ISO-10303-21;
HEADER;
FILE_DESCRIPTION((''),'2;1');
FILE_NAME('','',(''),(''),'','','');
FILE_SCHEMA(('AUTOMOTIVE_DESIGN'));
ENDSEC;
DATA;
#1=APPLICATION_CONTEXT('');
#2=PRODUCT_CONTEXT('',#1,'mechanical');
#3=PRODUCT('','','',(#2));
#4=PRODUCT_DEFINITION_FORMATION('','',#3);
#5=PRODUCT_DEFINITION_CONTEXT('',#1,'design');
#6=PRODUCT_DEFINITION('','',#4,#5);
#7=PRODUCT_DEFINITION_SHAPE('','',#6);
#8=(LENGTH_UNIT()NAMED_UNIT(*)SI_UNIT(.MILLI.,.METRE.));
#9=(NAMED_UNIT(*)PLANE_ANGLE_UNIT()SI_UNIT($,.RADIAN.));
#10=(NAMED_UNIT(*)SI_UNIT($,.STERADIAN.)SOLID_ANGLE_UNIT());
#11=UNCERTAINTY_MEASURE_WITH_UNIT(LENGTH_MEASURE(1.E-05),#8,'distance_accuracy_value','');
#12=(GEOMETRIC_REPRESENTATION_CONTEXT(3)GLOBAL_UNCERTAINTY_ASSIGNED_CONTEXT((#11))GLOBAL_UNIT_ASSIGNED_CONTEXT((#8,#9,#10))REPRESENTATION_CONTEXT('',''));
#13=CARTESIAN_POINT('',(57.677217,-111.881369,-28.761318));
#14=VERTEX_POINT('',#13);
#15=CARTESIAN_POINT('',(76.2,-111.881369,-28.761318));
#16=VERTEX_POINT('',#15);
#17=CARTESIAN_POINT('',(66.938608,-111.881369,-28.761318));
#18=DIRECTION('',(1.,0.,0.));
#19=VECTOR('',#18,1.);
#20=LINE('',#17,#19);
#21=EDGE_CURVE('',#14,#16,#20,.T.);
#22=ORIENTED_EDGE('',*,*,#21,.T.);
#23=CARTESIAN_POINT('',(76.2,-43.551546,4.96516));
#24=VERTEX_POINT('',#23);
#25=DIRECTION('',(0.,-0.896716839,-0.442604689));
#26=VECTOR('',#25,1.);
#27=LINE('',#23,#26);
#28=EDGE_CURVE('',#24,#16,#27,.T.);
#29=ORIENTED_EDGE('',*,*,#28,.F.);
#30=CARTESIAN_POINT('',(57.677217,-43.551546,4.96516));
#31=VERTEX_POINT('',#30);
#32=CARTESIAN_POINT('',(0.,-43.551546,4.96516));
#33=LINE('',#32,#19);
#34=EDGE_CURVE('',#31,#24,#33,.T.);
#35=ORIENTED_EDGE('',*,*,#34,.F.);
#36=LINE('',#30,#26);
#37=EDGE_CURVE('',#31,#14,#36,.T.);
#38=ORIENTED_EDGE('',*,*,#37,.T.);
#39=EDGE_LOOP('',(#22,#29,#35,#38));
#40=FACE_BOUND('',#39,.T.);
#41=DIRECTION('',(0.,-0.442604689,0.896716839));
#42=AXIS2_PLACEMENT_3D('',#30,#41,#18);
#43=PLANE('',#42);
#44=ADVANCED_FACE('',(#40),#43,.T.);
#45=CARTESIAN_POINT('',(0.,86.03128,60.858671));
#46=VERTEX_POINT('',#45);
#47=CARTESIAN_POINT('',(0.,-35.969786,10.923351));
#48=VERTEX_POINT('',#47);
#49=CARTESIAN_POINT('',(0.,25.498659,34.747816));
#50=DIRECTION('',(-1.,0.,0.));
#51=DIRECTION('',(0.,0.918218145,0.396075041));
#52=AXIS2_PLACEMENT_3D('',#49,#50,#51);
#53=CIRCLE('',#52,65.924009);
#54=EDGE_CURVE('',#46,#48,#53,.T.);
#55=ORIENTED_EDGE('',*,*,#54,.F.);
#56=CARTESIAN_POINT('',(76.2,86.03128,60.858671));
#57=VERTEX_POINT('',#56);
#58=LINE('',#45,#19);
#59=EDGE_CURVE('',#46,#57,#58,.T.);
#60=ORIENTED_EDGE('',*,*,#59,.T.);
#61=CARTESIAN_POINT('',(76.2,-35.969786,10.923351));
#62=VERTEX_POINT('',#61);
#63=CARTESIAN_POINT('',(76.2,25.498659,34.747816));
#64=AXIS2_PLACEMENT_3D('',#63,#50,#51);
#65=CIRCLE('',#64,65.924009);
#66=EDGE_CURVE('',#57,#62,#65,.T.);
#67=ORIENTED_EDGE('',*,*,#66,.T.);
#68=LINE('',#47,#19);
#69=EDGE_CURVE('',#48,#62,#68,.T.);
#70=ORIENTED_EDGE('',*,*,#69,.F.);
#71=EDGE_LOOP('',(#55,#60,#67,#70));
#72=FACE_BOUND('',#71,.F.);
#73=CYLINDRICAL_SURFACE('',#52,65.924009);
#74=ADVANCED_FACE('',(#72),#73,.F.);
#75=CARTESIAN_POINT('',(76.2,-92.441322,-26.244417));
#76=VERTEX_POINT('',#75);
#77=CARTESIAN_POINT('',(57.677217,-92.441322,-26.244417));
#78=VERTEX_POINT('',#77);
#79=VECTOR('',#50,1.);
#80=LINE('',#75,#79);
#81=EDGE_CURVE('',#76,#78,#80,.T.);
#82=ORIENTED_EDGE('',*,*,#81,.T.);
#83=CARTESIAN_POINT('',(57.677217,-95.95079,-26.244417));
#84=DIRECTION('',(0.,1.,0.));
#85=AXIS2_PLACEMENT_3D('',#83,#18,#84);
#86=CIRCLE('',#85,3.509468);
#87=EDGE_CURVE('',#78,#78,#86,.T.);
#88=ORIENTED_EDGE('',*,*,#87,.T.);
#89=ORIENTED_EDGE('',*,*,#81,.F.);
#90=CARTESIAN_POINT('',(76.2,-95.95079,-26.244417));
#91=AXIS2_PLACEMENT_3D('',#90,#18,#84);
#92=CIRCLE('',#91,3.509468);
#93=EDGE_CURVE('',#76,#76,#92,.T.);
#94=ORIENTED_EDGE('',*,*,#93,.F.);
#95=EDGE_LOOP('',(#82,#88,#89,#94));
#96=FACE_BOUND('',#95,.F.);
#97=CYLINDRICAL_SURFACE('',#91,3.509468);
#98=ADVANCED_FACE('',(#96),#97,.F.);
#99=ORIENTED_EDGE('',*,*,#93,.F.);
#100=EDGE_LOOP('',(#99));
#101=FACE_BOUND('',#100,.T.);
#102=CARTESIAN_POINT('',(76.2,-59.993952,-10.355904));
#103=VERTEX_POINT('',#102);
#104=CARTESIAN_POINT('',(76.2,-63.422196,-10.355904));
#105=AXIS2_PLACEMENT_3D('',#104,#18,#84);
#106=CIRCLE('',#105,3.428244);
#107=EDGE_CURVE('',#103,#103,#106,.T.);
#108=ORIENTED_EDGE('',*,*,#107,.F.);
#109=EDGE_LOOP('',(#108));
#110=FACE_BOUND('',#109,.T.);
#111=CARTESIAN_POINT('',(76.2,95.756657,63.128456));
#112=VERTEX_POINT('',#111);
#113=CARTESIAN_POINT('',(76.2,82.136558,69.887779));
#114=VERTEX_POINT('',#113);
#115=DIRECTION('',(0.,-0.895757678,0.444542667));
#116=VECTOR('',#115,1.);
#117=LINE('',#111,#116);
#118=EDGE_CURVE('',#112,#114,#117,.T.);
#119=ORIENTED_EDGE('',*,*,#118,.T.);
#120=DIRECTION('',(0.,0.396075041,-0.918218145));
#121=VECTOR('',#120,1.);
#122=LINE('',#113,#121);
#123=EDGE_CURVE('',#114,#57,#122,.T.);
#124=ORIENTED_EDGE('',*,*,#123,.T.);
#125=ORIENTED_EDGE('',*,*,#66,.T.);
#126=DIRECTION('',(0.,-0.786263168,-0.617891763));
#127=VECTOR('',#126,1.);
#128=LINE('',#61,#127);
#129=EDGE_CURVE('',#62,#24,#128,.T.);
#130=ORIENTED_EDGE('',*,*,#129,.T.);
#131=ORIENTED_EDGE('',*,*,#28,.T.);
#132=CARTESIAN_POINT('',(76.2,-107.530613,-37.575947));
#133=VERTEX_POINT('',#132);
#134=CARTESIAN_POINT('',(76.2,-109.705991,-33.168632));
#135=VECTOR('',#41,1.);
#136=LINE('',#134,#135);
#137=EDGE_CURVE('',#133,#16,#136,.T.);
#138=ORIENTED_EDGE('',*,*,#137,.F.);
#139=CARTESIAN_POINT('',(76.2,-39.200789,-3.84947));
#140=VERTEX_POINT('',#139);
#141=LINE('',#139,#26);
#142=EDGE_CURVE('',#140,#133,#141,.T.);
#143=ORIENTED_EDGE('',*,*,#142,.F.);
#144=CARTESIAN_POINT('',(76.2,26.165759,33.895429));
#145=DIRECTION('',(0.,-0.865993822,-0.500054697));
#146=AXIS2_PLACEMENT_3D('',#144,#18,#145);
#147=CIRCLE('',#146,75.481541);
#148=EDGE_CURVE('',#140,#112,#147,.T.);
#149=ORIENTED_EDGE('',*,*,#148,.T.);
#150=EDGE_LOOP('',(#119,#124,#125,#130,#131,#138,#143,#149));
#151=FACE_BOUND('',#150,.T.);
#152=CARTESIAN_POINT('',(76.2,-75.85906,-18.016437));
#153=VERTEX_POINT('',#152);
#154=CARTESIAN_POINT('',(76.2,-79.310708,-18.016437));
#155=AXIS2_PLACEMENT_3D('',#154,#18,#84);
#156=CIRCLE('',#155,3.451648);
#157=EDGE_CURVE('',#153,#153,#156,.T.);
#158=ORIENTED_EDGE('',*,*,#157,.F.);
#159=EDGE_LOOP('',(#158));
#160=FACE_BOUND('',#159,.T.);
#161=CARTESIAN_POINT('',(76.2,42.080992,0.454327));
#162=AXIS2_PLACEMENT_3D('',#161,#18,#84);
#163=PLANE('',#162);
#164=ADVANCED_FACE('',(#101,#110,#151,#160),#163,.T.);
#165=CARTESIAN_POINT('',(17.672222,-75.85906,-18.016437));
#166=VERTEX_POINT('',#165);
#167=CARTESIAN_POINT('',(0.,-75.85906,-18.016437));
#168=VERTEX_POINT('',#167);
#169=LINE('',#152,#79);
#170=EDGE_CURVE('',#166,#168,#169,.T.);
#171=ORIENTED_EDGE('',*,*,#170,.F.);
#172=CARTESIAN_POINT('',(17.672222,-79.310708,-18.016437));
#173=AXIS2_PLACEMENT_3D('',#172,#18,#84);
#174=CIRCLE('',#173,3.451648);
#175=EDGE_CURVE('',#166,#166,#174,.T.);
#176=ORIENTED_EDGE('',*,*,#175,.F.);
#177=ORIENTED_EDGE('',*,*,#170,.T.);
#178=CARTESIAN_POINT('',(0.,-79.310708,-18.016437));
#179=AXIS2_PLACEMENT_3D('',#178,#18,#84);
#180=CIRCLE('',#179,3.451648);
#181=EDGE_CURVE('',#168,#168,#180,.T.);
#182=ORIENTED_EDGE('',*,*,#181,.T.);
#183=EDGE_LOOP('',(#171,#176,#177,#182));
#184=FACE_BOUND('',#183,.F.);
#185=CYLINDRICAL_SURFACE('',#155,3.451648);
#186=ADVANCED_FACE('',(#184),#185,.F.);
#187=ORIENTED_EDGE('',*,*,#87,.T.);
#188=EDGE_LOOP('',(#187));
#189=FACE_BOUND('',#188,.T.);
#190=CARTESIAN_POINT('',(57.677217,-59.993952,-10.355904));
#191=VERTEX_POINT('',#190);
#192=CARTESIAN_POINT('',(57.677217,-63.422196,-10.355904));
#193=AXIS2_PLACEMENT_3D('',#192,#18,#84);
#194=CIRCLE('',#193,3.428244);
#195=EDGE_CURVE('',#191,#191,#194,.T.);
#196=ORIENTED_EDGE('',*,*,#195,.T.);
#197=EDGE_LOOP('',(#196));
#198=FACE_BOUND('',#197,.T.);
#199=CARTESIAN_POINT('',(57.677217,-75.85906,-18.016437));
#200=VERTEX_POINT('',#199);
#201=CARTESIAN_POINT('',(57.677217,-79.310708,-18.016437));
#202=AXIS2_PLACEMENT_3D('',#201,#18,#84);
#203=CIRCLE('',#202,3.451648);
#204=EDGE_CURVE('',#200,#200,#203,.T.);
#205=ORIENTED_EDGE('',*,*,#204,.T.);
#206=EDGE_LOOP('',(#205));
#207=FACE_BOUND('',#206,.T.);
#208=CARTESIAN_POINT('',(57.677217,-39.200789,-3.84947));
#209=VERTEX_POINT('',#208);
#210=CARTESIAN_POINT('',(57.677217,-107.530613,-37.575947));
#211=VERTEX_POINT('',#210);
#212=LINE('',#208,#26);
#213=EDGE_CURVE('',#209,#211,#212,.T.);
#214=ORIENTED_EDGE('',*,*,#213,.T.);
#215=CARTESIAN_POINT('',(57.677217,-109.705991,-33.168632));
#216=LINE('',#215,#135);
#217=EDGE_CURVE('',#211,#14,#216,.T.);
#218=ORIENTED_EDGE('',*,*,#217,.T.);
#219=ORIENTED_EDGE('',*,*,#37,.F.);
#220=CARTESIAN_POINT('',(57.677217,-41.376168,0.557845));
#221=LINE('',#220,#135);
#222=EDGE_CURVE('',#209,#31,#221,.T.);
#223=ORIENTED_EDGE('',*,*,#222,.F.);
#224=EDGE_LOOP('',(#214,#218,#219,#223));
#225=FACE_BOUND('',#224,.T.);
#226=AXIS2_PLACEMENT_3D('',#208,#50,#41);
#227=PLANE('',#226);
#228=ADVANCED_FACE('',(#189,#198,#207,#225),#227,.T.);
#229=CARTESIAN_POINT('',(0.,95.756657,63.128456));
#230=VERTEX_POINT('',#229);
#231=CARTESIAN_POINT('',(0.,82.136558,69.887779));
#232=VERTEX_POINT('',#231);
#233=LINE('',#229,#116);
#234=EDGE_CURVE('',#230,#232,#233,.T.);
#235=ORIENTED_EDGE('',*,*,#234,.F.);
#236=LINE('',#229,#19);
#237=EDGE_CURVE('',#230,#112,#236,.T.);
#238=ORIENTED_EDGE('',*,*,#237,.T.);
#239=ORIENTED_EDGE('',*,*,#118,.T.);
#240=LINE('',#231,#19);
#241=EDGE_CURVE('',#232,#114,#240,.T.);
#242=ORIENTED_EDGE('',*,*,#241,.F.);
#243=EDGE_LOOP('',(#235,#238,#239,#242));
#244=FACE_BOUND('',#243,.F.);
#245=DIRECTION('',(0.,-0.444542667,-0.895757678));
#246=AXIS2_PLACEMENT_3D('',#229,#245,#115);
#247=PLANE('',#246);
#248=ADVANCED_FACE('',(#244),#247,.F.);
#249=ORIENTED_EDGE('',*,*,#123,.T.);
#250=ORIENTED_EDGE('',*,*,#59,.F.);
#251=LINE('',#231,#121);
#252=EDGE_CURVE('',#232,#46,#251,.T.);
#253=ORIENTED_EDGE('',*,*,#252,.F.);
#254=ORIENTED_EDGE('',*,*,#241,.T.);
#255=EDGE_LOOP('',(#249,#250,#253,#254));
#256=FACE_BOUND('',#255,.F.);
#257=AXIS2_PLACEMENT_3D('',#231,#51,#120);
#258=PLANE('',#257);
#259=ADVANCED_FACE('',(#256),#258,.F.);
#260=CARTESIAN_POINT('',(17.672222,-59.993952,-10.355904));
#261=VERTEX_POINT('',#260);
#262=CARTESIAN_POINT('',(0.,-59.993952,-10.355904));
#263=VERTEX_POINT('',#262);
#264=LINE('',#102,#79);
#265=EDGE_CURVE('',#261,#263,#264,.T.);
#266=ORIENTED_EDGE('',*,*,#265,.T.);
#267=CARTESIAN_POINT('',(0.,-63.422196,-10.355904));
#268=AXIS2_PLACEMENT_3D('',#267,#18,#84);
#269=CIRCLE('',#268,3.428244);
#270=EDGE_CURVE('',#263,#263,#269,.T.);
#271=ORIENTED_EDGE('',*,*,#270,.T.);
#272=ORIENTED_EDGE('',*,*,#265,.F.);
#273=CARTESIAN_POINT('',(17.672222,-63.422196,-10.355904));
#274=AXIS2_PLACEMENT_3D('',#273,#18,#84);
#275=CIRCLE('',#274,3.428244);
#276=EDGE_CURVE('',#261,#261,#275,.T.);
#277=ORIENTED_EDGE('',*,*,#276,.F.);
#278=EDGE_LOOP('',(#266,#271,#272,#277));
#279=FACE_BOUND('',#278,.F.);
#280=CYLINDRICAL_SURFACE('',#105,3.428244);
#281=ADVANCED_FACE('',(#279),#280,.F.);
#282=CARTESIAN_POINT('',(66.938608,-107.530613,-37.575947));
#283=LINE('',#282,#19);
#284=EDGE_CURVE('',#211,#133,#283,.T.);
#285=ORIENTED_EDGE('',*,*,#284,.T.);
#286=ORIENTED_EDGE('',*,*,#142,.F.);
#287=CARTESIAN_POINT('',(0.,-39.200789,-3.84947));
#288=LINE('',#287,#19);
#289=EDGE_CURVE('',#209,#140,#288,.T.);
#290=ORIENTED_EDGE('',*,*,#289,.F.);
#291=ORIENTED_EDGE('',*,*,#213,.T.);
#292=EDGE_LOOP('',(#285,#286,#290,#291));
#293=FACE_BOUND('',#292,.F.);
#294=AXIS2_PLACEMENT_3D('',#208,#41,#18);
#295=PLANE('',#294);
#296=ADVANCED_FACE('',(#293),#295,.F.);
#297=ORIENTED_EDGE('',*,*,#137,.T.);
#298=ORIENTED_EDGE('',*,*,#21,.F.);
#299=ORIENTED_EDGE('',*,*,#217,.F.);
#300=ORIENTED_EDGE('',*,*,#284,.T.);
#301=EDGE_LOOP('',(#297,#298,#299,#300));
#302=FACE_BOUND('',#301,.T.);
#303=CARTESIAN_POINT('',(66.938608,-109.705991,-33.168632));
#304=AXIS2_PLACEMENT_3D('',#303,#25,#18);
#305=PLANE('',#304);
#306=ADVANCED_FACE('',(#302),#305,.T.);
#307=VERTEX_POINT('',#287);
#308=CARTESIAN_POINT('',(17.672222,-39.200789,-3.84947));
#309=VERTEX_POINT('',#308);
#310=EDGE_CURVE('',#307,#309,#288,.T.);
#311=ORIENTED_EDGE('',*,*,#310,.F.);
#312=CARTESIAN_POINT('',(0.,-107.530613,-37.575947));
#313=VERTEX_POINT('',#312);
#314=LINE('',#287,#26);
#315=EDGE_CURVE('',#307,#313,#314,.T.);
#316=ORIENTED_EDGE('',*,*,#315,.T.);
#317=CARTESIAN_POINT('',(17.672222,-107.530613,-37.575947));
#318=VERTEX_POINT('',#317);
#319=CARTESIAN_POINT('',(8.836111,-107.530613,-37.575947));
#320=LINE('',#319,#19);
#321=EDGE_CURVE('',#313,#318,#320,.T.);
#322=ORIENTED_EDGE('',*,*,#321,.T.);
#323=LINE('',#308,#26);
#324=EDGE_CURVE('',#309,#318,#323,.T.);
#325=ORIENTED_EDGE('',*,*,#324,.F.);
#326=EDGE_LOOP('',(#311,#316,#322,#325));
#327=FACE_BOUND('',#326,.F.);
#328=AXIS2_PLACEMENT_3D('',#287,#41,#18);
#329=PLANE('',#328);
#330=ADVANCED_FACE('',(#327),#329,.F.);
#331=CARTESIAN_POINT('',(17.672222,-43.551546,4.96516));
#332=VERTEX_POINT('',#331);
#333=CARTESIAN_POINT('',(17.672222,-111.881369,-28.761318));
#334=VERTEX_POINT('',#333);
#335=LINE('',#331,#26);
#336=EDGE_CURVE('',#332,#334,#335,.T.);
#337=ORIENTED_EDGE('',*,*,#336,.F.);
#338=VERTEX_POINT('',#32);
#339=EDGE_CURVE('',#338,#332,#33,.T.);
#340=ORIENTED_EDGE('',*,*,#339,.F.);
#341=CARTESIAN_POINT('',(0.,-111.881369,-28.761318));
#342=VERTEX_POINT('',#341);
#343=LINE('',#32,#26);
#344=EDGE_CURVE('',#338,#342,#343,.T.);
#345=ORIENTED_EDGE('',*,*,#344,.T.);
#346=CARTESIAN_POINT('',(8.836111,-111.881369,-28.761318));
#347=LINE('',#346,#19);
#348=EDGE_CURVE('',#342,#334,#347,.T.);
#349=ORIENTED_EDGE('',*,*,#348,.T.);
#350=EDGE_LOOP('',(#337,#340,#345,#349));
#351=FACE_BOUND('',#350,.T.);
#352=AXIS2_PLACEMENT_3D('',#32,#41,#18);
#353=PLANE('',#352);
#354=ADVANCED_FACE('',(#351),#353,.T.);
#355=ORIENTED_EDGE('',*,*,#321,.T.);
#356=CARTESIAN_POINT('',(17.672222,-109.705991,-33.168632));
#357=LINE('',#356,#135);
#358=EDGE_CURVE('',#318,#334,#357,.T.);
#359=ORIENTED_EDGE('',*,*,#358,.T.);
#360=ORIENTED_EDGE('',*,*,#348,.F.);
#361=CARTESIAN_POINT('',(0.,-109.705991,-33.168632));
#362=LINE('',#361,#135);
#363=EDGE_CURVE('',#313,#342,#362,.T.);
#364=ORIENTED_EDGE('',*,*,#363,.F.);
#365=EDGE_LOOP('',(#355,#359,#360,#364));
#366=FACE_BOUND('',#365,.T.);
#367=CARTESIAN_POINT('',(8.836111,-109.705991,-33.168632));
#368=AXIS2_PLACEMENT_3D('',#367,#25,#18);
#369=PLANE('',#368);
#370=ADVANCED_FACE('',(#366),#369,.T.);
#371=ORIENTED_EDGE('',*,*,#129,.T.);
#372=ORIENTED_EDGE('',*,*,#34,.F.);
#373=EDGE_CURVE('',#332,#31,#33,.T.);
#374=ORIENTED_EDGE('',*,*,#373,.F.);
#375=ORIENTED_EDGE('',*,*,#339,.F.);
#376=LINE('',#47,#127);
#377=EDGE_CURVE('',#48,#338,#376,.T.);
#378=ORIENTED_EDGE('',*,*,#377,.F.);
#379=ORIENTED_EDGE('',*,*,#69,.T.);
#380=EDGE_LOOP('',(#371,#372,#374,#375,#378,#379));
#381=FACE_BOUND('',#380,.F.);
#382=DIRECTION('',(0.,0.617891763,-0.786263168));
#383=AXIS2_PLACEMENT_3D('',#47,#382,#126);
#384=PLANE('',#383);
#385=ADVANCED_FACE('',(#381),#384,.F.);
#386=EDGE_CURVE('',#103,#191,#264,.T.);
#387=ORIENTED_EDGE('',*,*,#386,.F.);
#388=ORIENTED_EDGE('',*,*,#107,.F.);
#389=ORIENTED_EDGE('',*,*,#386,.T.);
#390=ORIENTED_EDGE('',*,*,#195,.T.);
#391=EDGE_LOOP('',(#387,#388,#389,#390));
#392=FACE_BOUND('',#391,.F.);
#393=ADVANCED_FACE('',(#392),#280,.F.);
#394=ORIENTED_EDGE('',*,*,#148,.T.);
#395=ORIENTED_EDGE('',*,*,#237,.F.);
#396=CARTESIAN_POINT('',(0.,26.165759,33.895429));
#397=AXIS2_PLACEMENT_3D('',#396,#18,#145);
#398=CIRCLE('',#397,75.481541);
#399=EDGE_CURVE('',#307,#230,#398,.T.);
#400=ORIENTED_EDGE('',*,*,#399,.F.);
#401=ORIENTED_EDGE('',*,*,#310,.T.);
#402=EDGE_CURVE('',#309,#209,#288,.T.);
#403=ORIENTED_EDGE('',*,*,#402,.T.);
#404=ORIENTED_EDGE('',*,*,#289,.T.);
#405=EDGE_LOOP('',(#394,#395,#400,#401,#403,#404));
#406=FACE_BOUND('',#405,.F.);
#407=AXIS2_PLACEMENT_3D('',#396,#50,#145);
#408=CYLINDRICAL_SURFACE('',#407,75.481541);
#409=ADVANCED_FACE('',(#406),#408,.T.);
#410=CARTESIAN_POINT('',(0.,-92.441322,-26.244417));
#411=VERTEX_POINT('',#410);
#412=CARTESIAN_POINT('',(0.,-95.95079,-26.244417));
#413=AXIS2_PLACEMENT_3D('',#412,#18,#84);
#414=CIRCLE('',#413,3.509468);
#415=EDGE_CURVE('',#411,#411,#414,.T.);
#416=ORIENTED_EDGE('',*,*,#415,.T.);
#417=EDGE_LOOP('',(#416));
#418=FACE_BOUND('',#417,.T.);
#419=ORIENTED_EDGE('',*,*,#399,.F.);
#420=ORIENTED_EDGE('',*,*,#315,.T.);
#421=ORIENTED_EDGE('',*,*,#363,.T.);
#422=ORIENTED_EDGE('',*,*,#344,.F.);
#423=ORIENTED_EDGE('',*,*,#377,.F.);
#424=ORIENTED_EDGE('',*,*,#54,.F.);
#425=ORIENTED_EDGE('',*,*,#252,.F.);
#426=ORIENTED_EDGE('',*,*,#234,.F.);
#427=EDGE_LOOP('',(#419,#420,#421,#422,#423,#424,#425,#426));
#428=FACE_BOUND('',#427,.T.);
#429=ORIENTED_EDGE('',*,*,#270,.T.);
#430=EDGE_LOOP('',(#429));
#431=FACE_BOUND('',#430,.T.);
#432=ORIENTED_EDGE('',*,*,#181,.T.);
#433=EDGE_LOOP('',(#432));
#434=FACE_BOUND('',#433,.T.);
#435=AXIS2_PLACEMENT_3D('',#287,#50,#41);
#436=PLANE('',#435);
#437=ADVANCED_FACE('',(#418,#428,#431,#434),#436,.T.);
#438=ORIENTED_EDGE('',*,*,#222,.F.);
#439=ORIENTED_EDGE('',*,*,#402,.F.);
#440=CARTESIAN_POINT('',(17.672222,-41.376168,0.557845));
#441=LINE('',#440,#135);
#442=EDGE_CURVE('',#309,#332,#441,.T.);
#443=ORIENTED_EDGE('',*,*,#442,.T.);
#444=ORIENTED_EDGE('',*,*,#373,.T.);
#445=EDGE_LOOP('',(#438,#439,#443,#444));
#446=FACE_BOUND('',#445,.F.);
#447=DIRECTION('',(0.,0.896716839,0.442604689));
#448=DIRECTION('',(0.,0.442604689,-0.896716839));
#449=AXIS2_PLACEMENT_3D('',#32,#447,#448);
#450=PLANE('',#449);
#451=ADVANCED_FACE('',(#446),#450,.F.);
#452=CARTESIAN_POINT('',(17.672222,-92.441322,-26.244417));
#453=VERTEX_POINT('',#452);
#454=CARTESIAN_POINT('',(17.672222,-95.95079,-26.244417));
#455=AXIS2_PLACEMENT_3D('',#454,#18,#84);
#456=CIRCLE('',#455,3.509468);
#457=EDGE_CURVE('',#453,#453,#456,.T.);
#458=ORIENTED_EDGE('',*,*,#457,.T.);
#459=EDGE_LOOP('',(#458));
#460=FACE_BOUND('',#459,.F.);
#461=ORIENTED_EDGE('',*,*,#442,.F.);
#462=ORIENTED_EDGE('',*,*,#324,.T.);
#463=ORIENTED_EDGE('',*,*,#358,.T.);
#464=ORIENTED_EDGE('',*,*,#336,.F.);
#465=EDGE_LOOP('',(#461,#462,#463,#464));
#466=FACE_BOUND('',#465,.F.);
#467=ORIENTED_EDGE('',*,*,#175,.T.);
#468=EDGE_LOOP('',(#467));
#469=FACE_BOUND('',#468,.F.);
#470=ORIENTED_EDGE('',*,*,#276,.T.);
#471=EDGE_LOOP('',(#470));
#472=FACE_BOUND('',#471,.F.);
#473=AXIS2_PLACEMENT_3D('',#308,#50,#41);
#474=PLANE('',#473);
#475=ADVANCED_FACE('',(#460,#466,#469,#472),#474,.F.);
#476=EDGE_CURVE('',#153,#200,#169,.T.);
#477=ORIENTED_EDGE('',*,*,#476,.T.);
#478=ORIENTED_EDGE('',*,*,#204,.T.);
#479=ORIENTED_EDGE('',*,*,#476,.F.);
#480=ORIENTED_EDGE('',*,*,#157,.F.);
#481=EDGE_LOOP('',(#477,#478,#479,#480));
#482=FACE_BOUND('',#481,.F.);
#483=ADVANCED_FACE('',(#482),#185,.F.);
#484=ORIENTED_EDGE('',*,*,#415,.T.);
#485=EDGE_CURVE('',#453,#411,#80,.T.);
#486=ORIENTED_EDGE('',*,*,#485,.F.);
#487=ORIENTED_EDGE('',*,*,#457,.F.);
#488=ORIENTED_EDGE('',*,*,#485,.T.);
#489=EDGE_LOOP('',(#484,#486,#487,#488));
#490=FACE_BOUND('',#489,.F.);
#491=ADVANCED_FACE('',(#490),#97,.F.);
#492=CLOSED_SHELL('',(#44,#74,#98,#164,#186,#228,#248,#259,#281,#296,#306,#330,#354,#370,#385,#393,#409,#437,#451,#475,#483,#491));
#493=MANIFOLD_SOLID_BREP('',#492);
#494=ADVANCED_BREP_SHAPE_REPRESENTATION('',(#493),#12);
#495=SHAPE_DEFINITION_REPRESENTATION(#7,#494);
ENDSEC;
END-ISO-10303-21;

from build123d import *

# Parameters (mm, degrees)
F1_DEPTH = 76.2
F2_W     = 17.6722221076
F2_H     = 9.8298916579
F2_W_2   = 18.5227831721
F3_DEPTH = 76.2
F4_R     = 3.4516477469
F4_R_2   = 3.5094678627
F5_DEPTH = 127
F6_R     = 3.428244009
F7_DEPTH = 127


with BuildPart() as f1:
    # F0 (on Right) → F1 (new body)
    with BuildSketch(Plane.YZ):
        with BuildLine():
            Line((-43.5515455902, 4.9651595764), (-39.2007894463, -3.8494697966))
            ThreePointArc((-39.2007894463, -3.8494697966), (59.7212641248, -33.7173735079), (95.7566574216, 63.1284564734))
            Line((95.7566574216, 63.1284564734), (82.136558344, 69.8877791238))
            Line((82.136558344, 69.8877791238), (86.031280458, 60.8586706221))
            ThreePointArc((86.031280458, 60.8586706221), (50.4707031722, -26.2634284737), (-35.969786346, 10.9233511612))
            Line((-35.969786346, 10.9233511612), (-43.5515455902, 4.9651595764))
        make_face()
    extrude(amount=F1_DEPTH)

    # F2 (on face) → F3 (join)
    with BuildSketch(Plane(origin=(0, -33.0492176978, -16.3125505187), x_dir=(1, 0, 0), z_dir=(0, -0.8967168388, -0.4426046894))):
        with Locations((8.8361110538, 18.8135146783)):
            Rectangle(F2_W, F2_H)
        with Locations((66.9386084139, 18.8135146783)):
            Rectangle(F2_W_2, F2_H)
    extrude(amount=F3_DEPTH)

    # F4 (on face) → F5 (cut)
    with BuildSketch(Plane.YZ.offset(76.2)):
        with Locations((-79.3107077479, -18.0164370686)):
            Circle(F4_R)
        with Locations((-95.9507897496, -26.2444168329)):
            Circle(F4_R_2)
    extrude(amount=-F5_DEPTH, mode=Mode.SUBTRACT)

    # F6 (on face) → F7 (cut)
    with BuildSketch(Plane.YZ.offset(76.2)):
        with Locations((-63.4221956134, -10.355903767)):
            Circle(F6_R)
    extrude(amount=-F7_DEPTH, mode=Mode.SUBTRACT)


solid = f1.part
